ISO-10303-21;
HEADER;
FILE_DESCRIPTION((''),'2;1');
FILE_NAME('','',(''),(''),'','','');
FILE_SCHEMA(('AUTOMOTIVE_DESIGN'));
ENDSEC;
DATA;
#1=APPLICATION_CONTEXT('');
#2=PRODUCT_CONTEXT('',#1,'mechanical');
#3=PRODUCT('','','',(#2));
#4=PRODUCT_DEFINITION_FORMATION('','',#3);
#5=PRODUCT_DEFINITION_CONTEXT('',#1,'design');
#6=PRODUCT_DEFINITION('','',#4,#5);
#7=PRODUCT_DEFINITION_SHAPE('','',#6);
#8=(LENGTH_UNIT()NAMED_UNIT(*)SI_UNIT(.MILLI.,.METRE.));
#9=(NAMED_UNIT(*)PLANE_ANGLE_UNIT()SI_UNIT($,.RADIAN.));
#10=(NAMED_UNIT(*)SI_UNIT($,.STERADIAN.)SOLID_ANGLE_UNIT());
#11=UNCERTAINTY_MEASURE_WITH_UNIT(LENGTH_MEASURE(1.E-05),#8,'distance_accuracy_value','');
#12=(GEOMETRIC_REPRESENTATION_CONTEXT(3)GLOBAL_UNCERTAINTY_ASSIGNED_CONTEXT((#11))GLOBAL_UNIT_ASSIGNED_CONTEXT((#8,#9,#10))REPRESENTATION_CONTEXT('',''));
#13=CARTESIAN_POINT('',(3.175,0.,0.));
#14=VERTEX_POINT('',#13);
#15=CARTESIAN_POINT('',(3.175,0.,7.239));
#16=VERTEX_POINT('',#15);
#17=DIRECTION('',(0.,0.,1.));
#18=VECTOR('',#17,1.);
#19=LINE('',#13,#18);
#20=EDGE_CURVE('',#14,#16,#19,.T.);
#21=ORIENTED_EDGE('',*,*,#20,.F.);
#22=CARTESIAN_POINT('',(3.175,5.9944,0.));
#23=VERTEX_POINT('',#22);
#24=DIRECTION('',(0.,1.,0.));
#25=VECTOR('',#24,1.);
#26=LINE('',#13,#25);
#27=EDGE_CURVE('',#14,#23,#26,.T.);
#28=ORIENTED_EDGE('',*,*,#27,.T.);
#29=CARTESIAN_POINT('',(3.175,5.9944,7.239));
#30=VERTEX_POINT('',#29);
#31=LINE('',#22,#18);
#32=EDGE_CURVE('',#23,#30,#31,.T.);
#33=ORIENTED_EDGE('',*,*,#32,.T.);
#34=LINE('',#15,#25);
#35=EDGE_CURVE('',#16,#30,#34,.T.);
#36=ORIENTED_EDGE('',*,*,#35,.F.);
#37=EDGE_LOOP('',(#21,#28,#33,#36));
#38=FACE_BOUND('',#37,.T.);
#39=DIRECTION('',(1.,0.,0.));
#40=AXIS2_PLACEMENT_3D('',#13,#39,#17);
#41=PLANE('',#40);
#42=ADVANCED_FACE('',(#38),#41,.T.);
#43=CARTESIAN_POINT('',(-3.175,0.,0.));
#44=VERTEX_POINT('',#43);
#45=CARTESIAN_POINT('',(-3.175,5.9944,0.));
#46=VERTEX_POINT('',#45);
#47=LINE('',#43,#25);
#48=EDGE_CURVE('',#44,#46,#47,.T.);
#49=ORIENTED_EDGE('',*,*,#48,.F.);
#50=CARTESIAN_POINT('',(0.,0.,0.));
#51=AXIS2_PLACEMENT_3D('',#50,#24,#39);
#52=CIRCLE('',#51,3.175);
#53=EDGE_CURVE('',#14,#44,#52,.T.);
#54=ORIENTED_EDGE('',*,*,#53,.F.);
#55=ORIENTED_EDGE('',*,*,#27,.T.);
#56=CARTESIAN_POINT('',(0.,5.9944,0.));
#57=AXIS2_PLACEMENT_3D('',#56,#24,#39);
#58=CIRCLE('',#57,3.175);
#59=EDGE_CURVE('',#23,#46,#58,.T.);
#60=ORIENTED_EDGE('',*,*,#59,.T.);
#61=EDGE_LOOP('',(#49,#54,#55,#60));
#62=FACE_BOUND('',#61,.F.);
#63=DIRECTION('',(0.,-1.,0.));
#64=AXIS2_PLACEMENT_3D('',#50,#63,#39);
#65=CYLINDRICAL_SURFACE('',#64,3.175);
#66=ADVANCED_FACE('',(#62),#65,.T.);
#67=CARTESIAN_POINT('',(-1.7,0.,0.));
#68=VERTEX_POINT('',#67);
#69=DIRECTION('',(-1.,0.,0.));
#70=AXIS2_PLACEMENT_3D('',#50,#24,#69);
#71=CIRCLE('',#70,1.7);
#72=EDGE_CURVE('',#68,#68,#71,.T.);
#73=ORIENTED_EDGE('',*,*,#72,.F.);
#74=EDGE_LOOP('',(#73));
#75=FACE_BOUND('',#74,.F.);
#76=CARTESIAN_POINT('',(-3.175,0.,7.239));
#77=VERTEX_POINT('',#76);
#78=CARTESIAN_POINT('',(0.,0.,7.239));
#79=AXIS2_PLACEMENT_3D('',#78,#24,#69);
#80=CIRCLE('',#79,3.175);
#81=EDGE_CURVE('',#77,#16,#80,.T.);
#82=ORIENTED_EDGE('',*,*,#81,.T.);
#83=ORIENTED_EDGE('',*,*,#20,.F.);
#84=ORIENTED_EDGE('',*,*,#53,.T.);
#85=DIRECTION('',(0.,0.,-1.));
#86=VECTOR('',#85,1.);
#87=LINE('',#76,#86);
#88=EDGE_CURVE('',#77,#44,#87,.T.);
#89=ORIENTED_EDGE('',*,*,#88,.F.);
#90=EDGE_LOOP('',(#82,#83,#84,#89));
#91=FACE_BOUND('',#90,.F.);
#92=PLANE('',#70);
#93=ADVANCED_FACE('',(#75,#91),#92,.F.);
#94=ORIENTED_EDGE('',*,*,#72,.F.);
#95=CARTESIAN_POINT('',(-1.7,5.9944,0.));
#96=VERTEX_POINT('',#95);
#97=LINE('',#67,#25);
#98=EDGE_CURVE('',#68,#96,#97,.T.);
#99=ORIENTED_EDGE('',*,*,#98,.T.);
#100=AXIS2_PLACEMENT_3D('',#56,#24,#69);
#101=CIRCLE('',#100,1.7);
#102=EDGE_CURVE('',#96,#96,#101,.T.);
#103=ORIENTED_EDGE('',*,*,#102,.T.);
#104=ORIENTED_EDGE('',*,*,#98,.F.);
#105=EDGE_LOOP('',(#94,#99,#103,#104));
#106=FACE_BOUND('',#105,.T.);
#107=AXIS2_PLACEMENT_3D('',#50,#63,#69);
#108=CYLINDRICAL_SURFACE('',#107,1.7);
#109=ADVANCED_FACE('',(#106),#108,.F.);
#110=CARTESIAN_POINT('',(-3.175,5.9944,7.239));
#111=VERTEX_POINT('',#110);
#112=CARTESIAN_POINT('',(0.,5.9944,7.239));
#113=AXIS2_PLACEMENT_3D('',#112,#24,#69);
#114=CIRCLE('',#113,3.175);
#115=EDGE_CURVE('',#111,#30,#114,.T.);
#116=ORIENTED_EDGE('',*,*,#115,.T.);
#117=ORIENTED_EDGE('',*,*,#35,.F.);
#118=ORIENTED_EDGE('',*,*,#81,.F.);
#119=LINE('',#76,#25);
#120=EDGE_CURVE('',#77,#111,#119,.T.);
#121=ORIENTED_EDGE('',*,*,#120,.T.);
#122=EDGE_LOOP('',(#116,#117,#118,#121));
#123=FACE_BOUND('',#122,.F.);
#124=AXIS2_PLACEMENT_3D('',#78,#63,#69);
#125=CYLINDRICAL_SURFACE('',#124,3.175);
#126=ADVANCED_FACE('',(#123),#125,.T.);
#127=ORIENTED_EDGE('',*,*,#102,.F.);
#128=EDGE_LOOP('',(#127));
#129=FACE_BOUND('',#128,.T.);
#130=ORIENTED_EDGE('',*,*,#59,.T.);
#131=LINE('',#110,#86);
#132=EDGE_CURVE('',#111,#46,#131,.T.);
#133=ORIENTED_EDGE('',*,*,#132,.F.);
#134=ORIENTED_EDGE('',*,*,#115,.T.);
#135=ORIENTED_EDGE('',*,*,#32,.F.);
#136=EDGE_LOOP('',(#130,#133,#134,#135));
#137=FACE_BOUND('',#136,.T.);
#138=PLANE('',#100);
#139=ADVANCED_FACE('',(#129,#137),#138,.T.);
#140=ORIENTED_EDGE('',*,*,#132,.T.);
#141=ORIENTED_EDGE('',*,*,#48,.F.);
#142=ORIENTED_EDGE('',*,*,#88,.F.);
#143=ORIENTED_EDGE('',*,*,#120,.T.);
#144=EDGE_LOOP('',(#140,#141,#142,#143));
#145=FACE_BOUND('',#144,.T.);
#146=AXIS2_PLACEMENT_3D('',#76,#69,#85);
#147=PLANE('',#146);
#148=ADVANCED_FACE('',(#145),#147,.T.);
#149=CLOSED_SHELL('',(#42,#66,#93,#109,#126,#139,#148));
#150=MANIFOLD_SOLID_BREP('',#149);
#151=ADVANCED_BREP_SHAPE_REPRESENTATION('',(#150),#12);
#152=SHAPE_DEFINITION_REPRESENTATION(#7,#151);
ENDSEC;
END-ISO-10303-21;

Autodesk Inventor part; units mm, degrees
ref_plane "YZ Plane" through (0, 0, 0) normal (1, 0, 0) x (0, 1, 0)
ref_plane "XZ Plane" through (0, 0, 0) normal (0, 1, 0) x (-1, 0, 0)
ref_plane "XY Plane" through (0, 0, 0) normal (0, 0, 1) x (1, 0, 0)
sketch "Sketch1" plane through (0, 0, 0) normal (0, 1, 0) x (-1, 0, 0)
  circle A0 centre (0, 0) radius 1.7
  arc A1 (-3.175, 0) -> (3.175, 0) centre (0, 0) ccw
  line L0 (-3.175, 0) -> (-3.175, 7.239)
  line L1 (3.175, 7.239) -> (3.175, 0)
  arc A2 (3.175, 7.239) -> (-3.175, 7.239) centre (0, 7.239) ccw
  dimension "d0" = 3.4
  dimension "d1" = 6.35
  dimension "d6" = 6.35
  dimension "d8" = 7.239
extrude "Extrusion1" add sketch "Sketch1" along normal blind 5.9944
properties part number "Limit switch trigger spacer"
